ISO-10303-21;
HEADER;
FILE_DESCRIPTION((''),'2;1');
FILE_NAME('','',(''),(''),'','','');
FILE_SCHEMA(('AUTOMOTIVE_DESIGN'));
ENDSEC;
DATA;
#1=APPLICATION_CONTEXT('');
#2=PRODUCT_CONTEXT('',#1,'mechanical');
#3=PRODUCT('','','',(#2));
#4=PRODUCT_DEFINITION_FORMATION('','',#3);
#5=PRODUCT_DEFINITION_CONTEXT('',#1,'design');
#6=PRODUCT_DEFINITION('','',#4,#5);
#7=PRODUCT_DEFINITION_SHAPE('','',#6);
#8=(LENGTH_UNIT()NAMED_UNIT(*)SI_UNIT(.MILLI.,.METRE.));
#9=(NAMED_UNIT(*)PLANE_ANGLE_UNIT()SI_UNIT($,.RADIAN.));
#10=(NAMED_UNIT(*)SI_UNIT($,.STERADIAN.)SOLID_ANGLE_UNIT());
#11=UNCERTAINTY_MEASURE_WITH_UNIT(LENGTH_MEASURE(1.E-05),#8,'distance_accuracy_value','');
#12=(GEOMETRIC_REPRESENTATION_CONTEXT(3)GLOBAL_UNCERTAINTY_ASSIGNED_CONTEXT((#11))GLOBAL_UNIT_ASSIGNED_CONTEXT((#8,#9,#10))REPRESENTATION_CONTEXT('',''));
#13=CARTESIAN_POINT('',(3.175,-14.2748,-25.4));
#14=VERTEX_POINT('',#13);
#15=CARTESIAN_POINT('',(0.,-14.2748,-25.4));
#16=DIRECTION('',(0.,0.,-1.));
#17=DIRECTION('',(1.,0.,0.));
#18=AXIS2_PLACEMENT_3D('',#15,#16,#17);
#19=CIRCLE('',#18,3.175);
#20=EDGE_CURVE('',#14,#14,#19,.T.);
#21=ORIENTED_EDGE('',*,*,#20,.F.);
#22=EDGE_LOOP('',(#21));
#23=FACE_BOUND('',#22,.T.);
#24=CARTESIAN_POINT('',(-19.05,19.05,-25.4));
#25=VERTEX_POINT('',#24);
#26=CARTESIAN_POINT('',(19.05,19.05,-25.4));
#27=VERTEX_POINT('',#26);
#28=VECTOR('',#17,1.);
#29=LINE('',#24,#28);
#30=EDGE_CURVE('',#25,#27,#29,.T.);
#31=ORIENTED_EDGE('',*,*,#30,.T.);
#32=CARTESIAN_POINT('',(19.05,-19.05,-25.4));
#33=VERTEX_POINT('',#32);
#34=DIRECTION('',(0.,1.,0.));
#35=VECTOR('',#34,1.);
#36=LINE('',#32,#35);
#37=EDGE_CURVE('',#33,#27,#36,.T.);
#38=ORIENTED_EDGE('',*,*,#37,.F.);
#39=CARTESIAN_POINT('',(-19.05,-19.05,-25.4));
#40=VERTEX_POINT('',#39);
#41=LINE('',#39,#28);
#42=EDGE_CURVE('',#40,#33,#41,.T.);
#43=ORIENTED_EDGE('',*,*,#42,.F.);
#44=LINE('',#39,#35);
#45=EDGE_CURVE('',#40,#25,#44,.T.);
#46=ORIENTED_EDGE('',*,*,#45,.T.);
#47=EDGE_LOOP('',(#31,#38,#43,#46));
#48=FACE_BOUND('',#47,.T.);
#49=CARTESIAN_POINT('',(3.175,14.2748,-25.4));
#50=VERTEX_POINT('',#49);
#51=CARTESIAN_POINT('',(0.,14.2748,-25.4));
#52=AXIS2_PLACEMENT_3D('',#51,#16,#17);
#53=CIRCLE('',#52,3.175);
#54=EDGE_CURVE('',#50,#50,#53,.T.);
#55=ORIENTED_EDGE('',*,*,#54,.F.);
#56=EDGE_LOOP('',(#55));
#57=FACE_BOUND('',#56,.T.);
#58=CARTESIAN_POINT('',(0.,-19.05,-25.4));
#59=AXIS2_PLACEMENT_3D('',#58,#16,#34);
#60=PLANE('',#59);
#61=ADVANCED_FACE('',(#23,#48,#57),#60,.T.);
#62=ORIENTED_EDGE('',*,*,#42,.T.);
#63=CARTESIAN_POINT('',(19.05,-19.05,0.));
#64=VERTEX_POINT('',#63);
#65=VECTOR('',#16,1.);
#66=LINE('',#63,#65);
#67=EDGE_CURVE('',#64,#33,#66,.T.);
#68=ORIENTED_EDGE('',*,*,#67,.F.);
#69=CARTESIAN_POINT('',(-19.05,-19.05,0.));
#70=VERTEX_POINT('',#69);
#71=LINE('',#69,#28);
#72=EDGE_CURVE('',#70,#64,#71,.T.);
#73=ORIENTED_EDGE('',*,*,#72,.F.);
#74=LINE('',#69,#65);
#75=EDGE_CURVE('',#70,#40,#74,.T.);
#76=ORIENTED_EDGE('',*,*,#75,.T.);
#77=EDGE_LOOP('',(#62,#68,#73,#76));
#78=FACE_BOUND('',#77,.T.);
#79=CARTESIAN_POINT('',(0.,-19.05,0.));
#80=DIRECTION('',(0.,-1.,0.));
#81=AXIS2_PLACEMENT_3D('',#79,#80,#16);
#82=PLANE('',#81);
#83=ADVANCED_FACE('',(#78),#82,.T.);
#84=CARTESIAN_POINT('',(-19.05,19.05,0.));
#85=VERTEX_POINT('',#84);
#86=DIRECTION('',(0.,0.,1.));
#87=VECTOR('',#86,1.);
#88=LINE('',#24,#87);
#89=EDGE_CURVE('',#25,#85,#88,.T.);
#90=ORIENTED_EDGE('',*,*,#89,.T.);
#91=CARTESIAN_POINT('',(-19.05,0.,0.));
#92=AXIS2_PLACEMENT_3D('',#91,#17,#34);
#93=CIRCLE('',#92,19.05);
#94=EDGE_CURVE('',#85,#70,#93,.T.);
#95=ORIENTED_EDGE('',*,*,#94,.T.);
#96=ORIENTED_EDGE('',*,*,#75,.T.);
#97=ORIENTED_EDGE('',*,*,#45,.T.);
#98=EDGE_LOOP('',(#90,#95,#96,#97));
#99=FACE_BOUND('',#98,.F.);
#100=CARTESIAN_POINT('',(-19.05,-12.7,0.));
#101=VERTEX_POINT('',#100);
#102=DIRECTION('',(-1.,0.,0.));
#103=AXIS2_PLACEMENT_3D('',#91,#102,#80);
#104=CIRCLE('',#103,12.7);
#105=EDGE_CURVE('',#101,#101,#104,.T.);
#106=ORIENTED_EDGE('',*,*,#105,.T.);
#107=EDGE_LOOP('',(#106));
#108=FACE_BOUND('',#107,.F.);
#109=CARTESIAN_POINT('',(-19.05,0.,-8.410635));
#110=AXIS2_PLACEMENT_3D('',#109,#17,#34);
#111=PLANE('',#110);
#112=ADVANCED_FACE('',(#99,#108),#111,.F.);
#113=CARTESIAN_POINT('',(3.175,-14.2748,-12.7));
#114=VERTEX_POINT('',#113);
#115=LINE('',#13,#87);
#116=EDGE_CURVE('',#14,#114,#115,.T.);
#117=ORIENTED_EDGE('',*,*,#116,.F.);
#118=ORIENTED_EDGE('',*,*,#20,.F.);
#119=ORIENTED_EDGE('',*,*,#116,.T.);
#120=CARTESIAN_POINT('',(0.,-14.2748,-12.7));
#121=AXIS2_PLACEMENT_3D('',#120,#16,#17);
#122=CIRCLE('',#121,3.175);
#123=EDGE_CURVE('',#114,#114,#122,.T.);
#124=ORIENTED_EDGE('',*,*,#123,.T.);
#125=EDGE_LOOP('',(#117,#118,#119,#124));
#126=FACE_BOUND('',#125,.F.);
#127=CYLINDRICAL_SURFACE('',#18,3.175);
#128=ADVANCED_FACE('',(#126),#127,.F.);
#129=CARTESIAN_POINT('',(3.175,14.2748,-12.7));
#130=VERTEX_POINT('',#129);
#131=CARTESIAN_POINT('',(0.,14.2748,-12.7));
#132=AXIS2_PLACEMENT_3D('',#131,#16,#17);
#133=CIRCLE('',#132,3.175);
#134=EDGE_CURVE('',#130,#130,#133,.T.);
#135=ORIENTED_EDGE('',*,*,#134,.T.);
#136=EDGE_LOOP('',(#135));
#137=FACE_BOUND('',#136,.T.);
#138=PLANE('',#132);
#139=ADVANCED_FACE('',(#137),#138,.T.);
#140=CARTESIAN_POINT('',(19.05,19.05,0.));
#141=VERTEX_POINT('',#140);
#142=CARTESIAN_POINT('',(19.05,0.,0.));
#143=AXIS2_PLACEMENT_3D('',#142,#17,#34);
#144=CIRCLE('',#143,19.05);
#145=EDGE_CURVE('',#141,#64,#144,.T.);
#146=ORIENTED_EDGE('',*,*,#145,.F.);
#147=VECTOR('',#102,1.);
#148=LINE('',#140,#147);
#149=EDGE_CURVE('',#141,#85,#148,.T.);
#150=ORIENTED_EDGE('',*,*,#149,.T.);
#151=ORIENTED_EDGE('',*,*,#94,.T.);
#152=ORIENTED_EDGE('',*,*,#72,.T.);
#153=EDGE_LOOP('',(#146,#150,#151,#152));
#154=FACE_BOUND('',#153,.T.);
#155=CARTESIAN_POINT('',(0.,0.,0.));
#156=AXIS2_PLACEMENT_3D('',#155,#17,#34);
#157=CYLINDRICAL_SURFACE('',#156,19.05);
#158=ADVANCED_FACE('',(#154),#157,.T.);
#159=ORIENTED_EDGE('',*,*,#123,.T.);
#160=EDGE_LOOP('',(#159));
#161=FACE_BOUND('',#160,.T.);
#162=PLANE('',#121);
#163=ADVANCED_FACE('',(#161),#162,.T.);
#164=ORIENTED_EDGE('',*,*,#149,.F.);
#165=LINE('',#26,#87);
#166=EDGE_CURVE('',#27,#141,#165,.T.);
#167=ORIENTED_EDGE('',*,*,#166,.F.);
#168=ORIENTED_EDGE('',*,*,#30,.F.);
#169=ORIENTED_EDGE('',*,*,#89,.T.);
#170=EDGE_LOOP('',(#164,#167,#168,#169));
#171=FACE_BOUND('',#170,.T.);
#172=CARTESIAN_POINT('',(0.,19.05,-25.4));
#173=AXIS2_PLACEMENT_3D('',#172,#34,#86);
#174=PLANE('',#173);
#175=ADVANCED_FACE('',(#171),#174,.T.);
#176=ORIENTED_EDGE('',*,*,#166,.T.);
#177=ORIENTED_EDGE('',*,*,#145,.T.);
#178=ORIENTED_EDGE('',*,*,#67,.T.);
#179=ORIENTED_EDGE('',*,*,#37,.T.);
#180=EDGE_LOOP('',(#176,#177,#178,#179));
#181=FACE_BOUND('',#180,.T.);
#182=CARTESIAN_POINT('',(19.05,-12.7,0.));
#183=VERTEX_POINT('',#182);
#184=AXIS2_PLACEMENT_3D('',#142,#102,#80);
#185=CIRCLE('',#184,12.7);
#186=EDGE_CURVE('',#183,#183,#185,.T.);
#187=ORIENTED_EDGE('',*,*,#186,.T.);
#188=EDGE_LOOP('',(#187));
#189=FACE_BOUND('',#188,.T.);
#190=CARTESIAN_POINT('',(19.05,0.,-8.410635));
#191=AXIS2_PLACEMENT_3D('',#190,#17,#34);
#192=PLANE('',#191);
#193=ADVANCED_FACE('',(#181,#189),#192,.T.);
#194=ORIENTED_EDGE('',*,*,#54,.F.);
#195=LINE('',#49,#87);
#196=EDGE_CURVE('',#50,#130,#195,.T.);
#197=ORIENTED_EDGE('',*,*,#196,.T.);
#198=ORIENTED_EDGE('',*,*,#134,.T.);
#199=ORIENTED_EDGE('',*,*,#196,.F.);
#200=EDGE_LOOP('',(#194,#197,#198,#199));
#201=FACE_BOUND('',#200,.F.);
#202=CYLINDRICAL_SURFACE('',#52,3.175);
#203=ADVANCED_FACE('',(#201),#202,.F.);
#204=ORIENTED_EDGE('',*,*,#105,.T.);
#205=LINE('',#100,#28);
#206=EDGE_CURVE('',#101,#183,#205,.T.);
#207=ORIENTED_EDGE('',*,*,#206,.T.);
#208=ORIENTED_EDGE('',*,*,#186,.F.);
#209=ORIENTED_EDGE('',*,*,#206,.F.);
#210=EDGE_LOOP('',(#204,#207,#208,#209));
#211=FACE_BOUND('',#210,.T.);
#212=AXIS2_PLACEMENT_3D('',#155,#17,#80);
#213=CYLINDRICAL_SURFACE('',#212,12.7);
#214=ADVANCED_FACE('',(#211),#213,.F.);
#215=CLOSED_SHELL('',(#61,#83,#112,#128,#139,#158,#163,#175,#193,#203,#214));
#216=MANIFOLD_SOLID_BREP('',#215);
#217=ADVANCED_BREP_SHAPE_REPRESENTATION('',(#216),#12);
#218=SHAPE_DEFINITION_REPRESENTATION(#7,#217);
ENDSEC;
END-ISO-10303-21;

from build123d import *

# Parameters (mm, degrees)
F1_DEPTH = 19.05
F2_R     = 3.175
F3_DEPTH = 12.7


with BuildPart() as f1:
    # F0 (on Right) → F1 (new body, symmetric)
    with BuildSketch(Plane.YZ):
        with BuildLine():
            Line((19.05, 0), (12.7, 0))
            ThreePointArc((12.7, 0), (0, -12.7), (-12.7, 0))
            Line((-12.7, 0), (-19.05, 0))
            ThreePointArc((-19.05, 0), (0, -19.05), (19.05, 0))
        make_face()
        with BuildLine():
            ThreePointArc((-12.7, 0), (0, 12.7), (12.7, 0))
            Line((12.7, 0), (19.05, 0))
            ThreePointArc((19.05, 0), (0, 19.05), (-19.05, 0))
            Line((-19.05, 0), (-12.7, 0))
        make_face()
        with BuildLine():
            Line((19.05, -25.4), (19.05, 0))
            ThreePointArc((19.05, 0), (0, -19.05), (-19.05, 0))
            Line((-19.05, 0), (-19.05, -25.4))
            Line((-19.05, -25.4), (19.05, -25.4))
        make_face()
    extrude(amount=F1_DEPTH, both=True)

    # F2 (on face) → F3 (cut)
    with BuildSketch(Plane(origin=(0, 0, -25.4), x_dir=(1, 0, 0), z_dir=(0, 0, -1))):
        with Locations((0, 14.2748)):
            Circle(F2_R)
        with Locations((0, -14.2748)):
            Circle(F2_R)
    extrude(amount=-F3_DEPTH, mode=Mode.SUBTRACT)


solid = f1.part
